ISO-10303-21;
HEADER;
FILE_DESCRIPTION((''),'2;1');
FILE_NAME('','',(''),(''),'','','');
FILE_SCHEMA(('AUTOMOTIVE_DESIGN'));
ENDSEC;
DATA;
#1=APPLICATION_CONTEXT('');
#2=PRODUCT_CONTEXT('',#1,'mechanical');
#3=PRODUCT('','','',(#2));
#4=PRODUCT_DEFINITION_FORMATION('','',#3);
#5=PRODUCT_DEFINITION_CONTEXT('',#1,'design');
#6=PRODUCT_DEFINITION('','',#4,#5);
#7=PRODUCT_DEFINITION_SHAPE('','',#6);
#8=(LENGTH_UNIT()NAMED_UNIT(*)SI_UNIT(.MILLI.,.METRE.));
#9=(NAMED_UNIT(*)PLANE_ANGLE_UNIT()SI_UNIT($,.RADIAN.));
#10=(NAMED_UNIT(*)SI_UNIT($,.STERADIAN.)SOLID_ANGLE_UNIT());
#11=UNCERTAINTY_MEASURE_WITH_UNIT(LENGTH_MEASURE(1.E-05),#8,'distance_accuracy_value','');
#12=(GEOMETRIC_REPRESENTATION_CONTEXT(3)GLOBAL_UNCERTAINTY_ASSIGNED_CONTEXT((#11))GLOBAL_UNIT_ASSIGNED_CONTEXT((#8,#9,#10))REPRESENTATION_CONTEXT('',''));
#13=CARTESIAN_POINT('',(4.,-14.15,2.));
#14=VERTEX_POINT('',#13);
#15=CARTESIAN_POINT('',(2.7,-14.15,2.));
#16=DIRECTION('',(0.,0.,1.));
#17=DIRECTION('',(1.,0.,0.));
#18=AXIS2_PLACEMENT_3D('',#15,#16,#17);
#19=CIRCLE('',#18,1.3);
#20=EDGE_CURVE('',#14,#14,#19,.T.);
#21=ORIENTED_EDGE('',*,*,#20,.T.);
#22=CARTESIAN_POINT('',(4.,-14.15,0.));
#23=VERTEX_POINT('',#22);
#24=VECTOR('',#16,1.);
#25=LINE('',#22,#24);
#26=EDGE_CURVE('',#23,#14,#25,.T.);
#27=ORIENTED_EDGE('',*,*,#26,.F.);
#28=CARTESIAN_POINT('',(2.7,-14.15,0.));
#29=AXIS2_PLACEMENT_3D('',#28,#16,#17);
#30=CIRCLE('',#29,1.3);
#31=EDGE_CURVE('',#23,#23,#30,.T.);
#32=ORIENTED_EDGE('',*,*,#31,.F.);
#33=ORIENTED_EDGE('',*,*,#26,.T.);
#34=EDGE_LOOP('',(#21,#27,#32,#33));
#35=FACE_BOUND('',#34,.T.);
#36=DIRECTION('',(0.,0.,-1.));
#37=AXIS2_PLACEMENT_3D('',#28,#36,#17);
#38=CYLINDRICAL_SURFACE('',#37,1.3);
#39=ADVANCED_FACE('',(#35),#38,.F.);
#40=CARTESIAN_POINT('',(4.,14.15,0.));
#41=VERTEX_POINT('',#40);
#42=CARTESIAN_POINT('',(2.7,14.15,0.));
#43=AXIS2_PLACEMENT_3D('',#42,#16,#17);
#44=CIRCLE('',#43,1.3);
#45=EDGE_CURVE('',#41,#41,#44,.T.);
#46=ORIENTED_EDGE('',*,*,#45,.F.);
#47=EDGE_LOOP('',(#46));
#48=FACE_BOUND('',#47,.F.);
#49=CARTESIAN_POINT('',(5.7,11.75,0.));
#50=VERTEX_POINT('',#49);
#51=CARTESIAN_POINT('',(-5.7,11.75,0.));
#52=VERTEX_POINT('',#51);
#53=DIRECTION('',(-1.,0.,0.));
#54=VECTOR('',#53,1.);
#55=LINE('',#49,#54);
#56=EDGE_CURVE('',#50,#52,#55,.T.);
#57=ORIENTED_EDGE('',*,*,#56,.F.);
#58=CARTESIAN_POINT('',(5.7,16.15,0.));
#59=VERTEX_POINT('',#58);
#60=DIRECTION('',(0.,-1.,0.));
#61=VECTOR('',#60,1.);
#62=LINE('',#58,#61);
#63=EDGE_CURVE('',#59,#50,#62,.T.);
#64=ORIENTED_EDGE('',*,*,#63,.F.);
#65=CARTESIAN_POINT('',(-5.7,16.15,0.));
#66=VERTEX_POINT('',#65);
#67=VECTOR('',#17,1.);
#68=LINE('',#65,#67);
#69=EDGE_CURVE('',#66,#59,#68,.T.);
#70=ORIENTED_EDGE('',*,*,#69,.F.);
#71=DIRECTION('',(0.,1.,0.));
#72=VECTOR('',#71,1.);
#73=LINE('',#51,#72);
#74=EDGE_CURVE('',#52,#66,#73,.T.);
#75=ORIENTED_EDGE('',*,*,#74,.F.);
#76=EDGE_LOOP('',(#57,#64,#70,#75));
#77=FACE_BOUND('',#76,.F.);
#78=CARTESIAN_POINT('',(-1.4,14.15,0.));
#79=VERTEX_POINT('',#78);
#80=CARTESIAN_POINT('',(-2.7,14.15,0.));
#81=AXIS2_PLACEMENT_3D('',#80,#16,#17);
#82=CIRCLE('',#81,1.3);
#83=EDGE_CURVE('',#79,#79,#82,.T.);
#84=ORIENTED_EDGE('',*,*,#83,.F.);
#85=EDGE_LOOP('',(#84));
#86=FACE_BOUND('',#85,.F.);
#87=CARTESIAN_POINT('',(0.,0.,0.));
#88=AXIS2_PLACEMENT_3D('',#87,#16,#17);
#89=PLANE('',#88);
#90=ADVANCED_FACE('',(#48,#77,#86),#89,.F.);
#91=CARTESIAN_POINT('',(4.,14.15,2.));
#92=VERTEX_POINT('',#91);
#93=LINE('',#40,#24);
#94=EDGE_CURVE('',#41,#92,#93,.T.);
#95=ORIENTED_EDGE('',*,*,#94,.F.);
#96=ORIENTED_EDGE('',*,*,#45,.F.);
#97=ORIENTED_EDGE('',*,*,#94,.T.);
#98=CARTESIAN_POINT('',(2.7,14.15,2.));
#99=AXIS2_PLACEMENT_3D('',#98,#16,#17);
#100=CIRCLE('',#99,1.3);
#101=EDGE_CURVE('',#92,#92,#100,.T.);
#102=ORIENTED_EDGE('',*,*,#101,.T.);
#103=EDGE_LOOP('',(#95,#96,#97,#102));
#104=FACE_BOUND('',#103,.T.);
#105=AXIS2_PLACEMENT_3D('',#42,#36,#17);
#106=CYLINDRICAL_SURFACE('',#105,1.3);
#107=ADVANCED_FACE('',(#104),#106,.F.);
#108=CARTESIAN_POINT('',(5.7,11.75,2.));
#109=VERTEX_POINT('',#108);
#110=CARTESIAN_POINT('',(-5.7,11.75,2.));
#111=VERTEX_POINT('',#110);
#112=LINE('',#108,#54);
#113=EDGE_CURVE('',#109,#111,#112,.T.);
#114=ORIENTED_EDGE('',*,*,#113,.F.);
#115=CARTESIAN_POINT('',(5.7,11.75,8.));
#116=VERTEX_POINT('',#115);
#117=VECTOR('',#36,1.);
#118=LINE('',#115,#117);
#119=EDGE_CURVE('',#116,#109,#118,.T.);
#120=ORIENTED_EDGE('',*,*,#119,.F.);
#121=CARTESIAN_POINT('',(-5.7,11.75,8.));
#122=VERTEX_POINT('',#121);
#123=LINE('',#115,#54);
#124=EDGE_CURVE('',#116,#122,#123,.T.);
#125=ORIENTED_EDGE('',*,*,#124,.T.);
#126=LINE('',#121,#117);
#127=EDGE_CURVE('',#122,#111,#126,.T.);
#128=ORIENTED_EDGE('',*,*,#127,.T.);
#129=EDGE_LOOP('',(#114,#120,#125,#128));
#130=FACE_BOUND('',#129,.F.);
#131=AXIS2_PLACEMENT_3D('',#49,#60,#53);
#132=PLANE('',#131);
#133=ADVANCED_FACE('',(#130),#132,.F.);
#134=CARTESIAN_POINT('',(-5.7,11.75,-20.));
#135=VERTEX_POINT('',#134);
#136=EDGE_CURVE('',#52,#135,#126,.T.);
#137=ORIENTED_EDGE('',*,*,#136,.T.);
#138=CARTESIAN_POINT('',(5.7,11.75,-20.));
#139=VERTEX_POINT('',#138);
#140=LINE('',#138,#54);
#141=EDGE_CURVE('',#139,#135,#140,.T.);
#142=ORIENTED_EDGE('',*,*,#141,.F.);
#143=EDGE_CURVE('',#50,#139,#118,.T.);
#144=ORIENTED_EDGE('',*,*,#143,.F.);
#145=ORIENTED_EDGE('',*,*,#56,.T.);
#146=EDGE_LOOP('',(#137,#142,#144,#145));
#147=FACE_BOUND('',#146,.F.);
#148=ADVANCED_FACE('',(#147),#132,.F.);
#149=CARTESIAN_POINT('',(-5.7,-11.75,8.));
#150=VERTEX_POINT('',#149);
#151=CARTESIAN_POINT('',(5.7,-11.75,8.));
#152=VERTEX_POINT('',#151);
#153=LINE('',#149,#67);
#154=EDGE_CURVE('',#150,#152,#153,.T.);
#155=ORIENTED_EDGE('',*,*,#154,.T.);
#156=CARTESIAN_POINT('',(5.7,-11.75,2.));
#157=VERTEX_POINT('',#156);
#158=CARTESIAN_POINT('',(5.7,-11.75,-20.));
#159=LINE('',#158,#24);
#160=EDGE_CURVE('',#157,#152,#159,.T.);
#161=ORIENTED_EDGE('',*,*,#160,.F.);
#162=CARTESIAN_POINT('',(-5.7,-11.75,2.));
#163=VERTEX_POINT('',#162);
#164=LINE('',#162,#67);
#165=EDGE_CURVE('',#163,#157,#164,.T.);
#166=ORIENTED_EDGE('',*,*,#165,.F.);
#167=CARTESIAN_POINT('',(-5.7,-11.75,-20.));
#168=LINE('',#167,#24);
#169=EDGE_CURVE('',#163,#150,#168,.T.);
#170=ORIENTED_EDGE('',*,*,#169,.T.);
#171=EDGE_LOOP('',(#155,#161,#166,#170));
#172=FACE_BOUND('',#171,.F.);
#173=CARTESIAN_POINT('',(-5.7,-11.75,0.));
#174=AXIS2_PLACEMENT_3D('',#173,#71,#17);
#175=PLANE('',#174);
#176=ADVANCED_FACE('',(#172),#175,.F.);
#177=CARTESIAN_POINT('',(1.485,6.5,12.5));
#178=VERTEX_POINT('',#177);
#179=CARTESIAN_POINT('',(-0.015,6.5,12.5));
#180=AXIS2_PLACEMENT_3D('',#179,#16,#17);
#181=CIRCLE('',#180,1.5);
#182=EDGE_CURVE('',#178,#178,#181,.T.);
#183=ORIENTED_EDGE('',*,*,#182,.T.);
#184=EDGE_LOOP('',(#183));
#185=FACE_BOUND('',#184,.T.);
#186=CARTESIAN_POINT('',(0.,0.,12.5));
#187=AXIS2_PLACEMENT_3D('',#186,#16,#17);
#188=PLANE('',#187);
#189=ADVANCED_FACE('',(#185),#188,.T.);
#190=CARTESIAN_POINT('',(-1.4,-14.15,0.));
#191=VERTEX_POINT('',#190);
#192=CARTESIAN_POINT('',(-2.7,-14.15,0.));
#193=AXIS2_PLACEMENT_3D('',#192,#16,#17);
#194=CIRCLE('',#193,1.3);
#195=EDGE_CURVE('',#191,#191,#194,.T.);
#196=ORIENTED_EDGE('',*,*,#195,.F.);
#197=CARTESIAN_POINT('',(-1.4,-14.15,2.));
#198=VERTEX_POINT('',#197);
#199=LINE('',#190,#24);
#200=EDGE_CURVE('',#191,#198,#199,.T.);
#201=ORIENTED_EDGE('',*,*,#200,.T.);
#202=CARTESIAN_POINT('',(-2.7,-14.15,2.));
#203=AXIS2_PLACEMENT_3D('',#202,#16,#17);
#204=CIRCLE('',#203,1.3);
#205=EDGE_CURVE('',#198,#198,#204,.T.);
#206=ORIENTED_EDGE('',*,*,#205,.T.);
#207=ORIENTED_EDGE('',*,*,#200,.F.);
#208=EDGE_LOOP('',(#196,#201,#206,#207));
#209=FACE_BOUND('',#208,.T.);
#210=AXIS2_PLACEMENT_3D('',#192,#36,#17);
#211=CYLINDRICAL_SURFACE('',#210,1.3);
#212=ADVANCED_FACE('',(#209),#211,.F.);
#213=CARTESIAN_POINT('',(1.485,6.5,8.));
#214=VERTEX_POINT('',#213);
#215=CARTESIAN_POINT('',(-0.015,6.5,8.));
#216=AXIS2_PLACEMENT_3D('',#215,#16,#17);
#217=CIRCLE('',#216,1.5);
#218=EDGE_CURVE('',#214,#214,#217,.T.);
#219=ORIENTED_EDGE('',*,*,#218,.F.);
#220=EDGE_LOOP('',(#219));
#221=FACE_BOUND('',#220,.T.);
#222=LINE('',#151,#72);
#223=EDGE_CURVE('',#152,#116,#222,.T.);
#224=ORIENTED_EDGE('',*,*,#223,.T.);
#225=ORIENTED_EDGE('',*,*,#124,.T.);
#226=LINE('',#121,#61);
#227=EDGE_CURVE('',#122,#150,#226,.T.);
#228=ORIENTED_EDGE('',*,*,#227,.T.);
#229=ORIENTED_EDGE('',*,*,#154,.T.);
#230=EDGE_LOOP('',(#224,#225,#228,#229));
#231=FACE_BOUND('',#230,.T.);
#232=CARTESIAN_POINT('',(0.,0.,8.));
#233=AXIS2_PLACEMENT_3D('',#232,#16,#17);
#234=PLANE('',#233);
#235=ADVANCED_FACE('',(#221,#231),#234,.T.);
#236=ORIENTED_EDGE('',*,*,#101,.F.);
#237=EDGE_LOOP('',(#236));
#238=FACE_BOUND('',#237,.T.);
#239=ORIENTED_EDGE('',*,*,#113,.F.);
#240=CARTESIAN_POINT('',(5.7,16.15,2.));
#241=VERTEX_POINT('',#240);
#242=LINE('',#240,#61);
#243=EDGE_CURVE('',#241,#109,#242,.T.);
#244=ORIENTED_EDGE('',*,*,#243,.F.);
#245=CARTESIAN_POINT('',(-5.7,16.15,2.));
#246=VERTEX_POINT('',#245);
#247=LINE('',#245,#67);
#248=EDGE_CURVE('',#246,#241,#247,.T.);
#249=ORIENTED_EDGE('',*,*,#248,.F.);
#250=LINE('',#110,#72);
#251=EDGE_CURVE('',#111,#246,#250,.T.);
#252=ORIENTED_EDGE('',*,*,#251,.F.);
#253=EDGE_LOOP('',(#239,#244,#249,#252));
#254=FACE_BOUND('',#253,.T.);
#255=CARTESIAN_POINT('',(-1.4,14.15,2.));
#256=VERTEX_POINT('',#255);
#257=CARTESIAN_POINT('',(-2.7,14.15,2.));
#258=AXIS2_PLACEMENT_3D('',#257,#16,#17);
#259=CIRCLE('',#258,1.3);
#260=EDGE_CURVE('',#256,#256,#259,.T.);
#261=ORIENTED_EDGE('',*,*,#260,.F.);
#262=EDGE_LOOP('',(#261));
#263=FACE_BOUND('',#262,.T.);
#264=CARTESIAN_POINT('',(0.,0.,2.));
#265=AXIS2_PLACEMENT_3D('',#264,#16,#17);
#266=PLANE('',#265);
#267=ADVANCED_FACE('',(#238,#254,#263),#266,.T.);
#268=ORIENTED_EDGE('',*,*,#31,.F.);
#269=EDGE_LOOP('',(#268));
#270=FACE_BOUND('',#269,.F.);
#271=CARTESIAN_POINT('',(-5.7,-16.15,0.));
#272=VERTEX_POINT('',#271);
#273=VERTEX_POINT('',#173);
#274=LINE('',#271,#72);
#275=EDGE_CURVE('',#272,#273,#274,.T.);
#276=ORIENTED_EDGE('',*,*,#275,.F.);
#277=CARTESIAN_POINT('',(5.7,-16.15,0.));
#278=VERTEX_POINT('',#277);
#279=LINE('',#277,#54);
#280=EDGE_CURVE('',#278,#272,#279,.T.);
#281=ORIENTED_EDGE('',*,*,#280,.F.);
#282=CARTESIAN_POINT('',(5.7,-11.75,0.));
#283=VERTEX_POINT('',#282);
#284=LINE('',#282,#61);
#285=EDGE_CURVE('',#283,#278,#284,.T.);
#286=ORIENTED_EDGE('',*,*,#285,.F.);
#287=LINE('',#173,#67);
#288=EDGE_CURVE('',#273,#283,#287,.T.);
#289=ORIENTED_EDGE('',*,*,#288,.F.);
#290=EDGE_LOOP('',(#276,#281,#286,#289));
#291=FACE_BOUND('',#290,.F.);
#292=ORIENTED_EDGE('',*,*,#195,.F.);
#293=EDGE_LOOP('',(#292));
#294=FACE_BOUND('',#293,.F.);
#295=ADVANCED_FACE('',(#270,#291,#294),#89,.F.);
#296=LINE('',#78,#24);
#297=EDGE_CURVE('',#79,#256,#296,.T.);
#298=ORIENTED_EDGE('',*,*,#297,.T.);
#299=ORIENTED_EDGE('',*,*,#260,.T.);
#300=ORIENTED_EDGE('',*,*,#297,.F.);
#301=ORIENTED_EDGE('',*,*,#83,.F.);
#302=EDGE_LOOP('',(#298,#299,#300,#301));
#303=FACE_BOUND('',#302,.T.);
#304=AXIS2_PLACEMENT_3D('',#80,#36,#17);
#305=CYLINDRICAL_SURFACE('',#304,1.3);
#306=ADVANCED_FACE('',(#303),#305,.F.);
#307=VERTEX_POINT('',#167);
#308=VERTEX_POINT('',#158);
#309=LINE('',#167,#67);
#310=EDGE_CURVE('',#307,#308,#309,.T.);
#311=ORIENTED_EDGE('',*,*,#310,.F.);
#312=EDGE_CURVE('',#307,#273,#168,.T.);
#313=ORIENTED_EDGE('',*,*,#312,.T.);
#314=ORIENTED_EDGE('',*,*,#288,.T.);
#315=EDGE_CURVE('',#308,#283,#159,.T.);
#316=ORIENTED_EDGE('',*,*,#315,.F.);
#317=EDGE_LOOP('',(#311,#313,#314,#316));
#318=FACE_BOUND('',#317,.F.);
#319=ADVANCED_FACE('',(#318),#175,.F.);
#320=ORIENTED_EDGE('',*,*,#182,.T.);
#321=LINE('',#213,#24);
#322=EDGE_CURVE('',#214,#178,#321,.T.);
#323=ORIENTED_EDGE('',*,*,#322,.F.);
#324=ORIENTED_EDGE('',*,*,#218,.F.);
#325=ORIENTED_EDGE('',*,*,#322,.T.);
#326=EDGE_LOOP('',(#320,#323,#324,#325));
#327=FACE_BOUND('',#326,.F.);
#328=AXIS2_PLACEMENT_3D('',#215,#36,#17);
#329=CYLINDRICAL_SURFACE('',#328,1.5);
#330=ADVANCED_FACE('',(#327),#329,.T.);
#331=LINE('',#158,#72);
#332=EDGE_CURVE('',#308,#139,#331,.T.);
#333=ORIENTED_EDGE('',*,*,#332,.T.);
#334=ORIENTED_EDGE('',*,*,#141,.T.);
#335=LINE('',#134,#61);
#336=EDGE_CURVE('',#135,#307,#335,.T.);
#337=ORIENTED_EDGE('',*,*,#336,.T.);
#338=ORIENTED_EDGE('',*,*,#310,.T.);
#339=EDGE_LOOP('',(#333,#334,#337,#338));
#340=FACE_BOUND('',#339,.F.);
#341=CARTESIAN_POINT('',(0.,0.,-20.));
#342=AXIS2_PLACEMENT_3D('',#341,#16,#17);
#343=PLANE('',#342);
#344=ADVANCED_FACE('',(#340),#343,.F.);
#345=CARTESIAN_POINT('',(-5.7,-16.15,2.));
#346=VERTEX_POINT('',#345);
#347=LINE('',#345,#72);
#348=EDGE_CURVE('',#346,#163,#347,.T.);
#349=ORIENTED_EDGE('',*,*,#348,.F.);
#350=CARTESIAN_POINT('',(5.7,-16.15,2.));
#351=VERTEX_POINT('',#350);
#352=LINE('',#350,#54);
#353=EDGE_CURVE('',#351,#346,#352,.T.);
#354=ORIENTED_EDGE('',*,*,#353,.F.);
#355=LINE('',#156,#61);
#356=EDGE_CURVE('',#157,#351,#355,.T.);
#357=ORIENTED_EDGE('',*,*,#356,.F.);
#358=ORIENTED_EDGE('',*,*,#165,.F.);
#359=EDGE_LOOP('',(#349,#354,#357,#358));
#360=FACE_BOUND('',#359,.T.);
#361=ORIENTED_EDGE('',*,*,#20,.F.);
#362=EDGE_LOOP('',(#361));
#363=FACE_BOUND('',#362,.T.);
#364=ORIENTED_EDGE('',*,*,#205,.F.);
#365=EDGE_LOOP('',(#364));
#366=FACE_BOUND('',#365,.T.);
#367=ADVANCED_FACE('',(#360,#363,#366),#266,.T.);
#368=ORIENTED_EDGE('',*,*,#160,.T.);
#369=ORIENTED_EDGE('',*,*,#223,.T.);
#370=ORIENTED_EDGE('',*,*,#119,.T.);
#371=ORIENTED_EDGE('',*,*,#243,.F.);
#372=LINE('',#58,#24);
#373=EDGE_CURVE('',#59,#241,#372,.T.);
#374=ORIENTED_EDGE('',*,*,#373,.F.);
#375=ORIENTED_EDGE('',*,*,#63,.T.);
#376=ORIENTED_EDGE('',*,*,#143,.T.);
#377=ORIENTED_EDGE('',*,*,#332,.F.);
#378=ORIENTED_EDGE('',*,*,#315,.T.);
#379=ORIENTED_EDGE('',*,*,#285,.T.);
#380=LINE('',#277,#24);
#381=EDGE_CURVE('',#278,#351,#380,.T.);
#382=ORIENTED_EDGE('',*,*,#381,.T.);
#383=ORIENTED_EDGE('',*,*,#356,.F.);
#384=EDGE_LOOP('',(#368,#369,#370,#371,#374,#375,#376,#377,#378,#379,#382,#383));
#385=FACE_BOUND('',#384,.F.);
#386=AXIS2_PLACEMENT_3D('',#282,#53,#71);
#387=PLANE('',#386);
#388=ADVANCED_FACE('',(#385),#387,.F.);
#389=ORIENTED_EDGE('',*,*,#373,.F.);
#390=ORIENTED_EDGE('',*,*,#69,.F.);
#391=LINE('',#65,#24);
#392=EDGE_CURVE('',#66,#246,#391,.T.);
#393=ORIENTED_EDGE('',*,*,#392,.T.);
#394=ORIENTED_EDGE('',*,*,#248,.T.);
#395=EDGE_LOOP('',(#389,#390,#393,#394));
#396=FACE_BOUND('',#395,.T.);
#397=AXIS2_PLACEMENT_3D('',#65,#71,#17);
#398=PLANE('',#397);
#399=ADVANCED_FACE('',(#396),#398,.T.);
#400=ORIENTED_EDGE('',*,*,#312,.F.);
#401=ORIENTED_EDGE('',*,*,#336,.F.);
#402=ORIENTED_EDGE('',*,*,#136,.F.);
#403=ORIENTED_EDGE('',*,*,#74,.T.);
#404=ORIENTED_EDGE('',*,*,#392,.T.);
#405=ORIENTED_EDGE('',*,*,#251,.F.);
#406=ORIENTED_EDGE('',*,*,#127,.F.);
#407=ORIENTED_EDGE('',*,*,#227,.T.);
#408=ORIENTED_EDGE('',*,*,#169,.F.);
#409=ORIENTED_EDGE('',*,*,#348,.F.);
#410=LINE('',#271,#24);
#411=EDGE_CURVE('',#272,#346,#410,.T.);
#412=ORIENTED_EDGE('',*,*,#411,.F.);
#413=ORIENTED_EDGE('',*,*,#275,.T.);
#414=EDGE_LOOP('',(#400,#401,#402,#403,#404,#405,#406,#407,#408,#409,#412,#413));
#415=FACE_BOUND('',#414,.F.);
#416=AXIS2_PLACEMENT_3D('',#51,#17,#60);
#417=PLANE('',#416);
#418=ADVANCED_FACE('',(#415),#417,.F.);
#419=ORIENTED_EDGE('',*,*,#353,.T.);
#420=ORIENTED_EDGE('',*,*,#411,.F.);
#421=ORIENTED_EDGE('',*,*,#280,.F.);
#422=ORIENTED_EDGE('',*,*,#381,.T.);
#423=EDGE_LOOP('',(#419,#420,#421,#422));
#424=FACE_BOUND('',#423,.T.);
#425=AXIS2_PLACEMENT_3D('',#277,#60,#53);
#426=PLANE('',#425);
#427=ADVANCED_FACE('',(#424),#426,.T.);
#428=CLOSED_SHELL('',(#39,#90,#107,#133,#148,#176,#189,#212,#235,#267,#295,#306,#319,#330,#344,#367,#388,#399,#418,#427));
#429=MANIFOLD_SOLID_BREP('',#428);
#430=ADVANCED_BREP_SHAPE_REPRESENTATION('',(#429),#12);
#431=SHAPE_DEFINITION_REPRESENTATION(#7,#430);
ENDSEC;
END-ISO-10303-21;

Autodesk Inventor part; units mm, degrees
ref_plane "YZ Plane" through (0, 0, 0) normal (1, 0, 0) x (0, 1, 0)
ref_plane "XZ Plane" through (0, 0, 0) normal (0, 1, 0) x (-1, 0, 0)
ref_plane "XY Plane" through (0, 0, 0) normal (0, 0, 1) x (1, 0, 0)
sketch "Sketch1" plane through (0, 0, 0) normal (0, 0, 1) x (1, 0, 0)
  line L0 (-5.7, -11.75) -> (5.7, -11.75)
  line L1 (5.7, -11.75) -> (5.7, 11.75)
  line L2 (5.7, 11.75) -> (-5.7, 11.75)
  line L3 (-5.7, 11.75) -> (-5.7, -11.75)
  line L4 (-5.7, -11.75) -> (5.7, 11.75) construction
  line L5 (5.7, -11.75) -> (-5.7, 11.75) construction
  line L6 (5.7, 11.75) -> (-5.7, 11.75)
  line L7 (-5.7, 11.75) -> (-5.7, 16.15)
  line L8 (-5.7, 16.15) -> (5.7, 16.15)
  line L9 (5.7, 16.15) -> (5.7, 11.75)
  circle A0 centre (-2.7, 14.15) radius 1.3
  circle A1 centre (2.7, 14.15) radius 1.3
  circle A2 centre (-2.7, -14.15) radius 1.3
  circle A3 centre (2.7, -14.15) radius 1.3
  line L10 (-5.7, -11.75) -> (5.7, -11.75)
  line L11 (5.7, -11.75) -> (5.7, -16.15)
  line L12 (5.7, -16.15) -> (-5.7, -16.15)
  line L13 (-5.7, -16.15) -> (-5.7, -11.75)
  point P0 (0, 0)
  dimension "d0" = 11.4
  dimension "d1" = 23.5
  dimension "d2" = 4.4
  dimension "d3" = 2.6
  dimension "d4" = 3
  dimension "d5" = 2.4
  dimension "d6" = 4.4
  dimension "d7" = 3
  dimension "d8" = 3
  dimension "d9" = 3
  dimension "d10" = 2.4
  dimension "d11" = 2.4
  dimension "d18" = 2.4
extrude "Extrusion1" add sketch "Sketch1" along normal blind 8 and the other way blind 20 contours L3 L2 L1 L0
extrude "Extrusion2" add sketch "Sketch1" along normal blind 2 contours L7 L8 L9 L2
extrude "Extrusion3" add sketch "Sketch1" along normal blind 2 contours L0 L11 L12 L13
sketch "Sketch2" plane through (0, 0, 8) normal (0, 0, 1) x (1, 0, 0)
  line L0 (5.7, -11.75) -> (5.7, 11.75) projected
  circle A0 centre (-0.015, 6.5) radius 1.5
  point P0 (0, 0)
  dimension "d37" = 3
  dimension "d38" = 5.715
  dimension "d39" = 6.5
extrude "Extrusion4" add sketch "Sketch2" along normal blind 4.5
equation "\"d0\" = ServoCoreWidth"
equation "\"d1\" = ServoCoreLength"
equation "\"d2\" = ServoFixationLength"
equation "\"d4\" = ServoEdgeToFixation"
equation "\"d5\" = ServoCoreToFixation"
equation "\"d6\" = ServoFixationLength"
equation "\"d7\" = ServoEdgeToFixation"
equation "\"d8\" = ServoEdgeToFixation"
equation "\"d9\" = ServoEdgeToFixation"
equation "\"d10\" = ServoCoreToFixation"
equation "\"d11\" = ServoCoreToFixation"
equation "\"d18\" = ServoCoreToFixation"
equation "\"d39\" = ServoAxisToCenter"
equation "\"ServoCoreToFixation\" = 2.4"
equation "\"ServoEdgeToFixation\" = 3"
equation "\"ServoCoreWidth\" = 11.4"
equation "\"ServoSpacing\" = 0.2"
equation "\"ServoCoreLength\" = 23.5"
equation "\"ServoFixationLength\" = 4.4"
equation "\"ServoScrewDiameter\" = 2"
equation "\"ServoHeadScrewTrace\" = 4.5"
equation "\"ServoHeadScrewThickness\" = 2.5"
equation "\"ServoExtendedSpacing\" = 1"
equation "\"ServoAxisToCenter\" = 6.5"
properties part number "SimplifiedServo"
